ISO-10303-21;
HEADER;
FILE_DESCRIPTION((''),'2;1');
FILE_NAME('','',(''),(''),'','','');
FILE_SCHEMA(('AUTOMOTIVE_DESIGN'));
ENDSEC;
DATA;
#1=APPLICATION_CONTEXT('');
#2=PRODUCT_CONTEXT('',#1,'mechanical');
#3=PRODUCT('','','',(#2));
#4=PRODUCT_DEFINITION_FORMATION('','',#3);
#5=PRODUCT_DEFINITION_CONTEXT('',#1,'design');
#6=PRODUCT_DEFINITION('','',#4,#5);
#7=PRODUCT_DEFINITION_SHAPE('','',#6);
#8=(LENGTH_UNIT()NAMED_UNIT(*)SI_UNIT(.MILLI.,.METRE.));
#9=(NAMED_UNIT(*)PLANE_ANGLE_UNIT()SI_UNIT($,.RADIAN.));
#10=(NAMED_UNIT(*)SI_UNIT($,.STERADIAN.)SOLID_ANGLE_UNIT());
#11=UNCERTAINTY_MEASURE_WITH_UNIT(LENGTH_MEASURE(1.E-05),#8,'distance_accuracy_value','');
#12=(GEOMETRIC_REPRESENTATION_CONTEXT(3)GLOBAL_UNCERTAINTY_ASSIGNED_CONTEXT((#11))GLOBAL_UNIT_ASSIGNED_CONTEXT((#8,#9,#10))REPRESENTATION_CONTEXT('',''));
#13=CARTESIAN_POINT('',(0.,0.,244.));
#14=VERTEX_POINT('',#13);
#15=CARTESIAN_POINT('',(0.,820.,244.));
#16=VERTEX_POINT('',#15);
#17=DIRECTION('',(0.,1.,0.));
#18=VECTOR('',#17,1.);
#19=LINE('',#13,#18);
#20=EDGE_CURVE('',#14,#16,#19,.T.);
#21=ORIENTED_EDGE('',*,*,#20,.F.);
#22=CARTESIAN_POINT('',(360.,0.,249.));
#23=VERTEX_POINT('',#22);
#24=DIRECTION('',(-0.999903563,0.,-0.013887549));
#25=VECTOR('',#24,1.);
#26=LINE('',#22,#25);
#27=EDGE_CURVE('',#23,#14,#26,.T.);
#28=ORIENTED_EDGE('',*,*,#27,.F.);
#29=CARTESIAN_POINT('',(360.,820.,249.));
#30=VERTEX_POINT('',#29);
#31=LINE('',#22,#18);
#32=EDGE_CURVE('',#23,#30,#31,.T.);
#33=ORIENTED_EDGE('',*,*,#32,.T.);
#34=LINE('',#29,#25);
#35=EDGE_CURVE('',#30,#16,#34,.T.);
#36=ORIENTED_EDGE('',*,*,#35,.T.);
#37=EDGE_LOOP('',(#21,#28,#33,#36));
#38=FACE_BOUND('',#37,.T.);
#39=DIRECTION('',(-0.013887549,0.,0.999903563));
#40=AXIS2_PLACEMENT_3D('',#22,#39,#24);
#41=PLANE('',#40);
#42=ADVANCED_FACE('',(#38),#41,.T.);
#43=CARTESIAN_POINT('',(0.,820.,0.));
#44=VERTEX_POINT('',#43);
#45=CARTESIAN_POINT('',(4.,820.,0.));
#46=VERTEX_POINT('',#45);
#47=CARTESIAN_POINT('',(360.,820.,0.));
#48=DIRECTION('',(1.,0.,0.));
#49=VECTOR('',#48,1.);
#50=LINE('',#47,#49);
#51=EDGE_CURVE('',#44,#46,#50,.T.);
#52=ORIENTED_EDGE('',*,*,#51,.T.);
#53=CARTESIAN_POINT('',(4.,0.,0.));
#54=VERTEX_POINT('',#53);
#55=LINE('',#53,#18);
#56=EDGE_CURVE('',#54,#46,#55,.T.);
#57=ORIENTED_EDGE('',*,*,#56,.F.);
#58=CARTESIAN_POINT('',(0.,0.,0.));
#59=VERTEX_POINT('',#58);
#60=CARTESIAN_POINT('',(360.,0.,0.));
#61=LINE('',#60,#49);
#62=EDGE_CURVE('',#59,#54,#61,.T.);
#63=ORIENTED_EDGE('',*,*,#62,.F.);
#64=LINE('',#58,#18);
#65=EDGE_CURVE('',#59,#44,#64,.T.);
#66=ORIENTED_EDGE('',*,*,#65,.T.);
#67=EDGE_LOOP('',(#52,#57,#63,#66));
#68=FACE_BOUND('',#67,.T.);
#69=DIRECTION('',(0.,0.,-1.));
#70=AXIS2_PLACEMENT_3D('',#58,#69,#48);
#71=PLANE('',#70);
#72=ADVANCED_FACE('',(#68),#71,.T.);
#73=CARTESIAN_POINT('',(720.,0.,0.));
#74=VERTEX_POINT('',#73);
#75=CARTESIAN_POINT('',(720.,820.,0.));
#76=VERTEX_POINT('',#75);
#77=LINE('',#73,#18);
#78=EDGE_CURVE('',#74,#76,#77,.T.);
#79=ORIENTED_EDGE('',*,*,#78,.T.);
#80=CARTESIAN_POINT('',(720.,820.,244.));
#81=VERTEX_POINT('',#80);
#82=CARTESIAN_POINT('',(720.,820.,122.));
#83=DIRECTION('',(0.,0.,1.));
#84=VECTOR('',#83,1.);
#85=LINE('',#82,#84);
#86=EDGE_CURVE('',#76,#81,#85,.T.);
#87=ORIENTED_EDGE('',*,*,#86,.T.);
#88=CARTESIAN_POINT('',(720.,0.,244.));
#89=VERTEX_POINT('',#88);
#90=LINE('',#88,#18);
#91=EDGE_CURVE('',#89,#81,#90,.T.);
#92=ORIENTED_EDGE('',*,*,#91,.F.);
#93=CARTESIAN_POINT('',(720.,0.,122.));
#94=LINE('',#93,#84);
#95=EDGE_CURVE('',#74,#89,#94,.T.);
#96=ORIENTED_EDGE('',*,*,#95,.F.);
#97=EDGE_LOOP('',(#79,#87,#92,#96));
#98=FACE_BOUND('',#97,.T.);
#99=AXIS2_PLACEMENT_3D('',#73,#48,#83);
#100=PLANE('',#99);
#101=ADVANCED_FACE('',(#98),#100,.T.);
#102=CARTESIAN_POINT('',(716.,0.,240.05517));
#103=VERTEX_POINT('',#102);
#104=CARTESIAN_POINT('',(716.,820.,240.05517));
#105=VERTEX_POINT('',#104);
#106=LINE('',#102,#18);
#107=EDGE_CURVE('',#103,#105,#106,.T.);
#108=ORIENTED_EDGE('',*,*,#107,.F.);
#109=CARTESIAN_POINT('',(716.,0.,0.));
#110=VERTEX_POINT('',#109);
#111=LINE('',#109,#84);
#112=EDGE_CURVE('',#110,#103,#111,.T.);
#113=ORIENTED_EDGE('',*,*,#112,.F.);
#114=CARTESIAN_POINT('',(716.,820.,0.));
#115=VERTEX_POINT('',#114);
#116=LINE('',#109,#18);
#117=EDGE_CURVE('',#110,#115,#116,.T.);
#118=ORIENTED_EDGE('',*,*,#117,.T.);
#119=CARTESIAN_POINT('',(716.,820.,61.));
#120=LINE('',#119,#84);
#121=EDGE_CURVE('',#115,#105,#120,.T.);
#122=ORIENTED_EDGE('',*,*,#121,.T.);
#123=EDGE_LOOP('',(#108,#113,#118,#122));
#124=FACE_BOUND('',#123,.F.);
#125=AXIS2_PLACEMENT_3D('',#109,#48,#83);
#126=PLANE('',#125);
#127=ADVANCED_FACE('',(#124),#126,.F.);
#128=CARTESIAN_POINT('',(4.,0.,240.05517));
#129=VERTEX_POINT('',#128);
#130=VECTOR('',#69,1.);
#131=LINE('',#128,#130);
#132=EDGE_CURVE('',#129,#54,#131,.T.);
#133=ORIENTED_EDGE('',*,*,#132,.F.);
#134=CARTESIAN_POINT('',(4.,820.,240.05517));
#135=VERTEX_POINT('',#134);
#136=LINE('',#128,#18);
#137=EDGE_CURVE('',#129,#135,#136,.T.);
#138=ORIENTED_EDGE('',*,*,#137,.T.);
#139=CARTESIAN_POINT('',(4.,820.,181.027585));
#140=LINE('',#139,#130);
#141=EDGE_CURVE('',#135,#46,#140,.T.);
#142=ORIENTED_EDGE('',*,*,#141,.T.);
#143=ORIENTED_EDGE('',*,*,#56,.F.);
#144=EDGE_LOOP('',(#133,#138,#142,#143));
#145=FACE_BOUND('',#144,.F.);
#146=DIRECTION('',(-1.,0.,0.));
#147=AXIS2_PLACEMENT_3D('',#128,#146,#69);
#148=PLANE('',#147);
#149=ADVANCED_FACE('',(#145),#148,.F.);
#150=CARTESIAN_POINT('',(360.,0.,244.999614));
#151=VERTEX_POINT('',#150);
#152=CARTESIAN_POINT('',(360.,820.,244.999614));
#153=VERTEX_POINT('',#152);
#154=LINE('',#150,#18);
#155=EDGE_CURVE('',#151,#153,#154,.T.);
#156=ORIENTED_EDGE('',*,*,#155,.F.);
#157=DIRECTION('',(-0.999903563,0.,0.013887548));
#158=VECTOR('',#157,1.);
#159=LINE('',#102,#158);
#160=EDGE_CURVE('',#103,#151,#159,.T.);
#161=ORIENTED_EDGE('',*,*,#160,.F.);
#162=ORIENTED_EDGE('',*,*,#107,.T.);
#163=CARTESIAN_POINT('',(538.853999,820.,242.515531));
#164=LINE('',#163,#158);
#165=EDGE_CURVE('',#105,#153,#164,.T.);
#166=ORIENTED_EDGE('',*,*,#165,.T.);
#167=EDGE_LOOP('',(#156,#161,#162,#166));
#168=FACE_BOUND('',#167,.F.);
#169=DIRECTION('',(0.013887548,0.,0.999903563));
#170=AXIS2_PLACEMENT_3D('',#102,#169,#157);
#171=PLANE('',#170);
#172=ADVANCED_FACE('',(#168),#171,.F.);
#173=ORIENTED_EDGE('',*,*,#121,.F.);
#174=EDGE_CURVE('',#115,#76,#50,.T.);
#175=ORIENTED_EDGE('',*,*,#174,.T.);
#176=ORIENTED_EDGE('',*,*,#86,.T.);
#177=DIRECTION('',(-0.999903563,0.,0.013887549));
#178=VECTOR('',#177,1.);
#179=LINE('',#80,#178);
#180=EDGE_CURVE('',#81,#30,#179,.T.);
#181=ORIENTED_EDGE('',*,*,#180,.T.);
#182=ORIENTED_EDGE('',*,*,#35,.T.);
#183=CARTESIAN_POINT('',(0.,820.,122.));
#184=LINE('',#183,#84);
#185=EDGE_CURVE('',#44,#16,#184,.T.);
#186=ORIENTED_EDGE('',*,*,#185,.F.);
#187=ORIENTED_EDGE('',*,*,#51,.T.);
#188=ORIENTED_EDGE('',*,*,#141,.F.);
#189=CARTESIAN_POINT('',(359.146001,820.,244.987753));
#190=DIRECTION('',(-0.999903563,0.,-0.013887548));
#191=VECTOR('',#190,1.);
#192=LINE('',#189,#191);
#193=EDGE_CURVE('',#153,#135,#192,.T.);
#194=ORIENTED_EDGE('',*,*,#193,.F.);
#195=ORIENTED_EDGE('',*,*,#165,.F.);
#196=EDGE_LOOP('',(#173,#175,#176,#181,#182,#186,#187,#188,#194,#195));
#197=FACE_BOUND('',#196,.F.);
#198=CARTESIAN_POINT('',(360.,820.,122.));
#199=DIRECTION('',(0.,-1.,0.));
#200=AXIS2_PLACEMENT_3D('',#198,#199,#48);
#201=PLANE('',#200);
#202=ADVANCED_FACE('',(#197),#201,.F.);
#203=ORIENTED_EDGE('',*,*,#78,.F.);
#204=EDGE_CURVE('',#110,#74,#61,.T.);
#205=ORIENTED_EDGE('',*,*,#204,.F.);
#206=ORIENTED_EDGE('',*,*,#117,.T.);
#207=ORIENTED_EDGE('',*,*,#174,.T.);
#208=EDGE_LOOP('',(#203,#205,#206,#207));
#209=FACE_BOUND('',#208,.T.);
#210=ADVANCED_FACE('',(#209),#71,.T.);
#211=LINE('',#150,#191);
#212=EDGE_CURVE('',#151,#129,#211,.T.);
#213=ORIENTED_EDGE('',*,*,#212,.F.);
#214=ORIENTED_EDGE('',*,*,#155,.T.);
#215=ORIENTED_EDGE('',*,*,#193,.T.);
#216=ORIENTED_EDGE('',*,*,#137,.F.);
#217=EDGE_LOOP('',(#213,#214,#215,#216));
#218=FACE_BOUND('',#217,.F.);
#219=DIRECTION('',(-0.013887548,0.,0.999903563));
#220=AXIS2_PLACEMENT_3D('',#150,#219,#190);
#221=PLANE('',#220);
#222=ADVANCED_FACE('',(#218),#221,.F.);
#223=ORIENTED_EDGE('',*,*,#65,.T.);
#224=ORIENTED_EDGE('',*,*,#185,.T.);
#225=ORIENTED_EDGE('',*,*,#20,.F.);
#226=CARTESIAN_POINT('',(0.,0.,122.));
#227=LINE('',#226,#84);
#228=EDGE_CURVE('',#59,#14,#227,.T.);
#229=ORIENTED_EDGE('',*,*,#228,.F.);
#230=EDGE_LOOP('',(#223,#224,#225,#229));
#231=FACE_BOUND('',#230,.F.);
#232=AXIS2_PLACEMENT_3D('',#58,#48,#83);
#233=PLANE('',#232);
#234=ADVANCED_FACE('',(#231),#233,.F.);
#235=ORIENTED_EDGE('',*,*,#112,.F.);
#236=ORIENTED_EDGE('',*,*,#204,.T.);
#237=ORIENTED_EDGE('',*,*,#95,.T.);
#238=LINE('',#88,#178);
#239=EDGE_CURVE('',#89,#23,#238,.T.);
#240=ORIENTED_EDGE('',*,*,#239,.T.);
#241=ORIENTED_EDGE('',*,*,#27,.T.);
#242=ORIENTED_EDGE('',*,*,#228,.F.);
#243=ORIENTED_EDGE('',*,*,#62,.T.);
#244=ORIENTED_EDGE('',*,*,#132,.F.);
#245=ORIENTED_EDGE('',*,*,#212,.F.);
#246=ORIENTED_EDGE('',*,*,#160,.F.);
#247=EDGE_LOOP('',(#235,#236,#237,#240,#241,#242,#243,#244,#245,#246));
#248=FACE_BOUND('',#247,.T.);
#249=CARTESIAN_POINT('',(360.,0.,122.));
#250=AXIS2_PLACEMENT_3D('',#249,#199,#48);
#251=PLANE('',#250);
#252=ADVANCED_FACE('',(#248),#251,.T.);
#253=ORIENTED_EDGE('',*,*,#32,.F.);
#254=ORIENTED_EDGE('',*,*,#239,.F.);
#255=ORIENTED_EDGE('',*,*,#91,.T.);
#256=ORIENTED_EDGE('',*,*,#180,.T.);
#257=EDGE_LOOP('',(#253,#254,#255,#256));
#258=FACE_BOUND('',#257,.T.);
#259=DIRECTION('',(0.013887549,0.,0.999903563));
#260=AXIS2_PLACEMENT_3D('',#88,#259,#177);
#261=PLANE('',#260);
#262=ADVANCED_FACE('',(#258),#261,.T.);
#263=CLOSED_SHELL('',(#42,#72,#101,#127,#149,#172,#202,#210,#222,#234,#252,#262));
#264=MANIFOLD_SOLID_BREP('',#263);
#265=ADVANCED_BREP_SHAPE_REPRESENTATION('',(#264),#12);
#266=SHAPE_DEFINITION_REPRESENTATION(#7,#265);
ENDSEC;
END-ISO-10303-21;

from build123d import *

# Parameters (mm, degrees)
F0_W     = 720
F0_H     = 244
F1_DEPTH = 820
F3_DEPTH = 830


with BuildPart() as f1:
    # F0 (on Front) → F1 (new body)
    with BuildSketch(Plane.XZ):
        with Locations((360, 122)):
            Rectangle(F0_W, F0_H)
        Polygon((360, 249), (0, 244), (720, 244), align=None)
    extrude(amount=-F1_DEPTH)

    # F2 (on Front) → F3 (cut)
    with BuildSketch(Plane.XZ):
        Polygon((4, 240.05517), (4, 0), (716, 0), (716, 240.05517), (360, 244.999614), align=None)
    extrude(amount=-F3_DEPTH, mode=Mode.SUBTRACT)


solid = f1.part
